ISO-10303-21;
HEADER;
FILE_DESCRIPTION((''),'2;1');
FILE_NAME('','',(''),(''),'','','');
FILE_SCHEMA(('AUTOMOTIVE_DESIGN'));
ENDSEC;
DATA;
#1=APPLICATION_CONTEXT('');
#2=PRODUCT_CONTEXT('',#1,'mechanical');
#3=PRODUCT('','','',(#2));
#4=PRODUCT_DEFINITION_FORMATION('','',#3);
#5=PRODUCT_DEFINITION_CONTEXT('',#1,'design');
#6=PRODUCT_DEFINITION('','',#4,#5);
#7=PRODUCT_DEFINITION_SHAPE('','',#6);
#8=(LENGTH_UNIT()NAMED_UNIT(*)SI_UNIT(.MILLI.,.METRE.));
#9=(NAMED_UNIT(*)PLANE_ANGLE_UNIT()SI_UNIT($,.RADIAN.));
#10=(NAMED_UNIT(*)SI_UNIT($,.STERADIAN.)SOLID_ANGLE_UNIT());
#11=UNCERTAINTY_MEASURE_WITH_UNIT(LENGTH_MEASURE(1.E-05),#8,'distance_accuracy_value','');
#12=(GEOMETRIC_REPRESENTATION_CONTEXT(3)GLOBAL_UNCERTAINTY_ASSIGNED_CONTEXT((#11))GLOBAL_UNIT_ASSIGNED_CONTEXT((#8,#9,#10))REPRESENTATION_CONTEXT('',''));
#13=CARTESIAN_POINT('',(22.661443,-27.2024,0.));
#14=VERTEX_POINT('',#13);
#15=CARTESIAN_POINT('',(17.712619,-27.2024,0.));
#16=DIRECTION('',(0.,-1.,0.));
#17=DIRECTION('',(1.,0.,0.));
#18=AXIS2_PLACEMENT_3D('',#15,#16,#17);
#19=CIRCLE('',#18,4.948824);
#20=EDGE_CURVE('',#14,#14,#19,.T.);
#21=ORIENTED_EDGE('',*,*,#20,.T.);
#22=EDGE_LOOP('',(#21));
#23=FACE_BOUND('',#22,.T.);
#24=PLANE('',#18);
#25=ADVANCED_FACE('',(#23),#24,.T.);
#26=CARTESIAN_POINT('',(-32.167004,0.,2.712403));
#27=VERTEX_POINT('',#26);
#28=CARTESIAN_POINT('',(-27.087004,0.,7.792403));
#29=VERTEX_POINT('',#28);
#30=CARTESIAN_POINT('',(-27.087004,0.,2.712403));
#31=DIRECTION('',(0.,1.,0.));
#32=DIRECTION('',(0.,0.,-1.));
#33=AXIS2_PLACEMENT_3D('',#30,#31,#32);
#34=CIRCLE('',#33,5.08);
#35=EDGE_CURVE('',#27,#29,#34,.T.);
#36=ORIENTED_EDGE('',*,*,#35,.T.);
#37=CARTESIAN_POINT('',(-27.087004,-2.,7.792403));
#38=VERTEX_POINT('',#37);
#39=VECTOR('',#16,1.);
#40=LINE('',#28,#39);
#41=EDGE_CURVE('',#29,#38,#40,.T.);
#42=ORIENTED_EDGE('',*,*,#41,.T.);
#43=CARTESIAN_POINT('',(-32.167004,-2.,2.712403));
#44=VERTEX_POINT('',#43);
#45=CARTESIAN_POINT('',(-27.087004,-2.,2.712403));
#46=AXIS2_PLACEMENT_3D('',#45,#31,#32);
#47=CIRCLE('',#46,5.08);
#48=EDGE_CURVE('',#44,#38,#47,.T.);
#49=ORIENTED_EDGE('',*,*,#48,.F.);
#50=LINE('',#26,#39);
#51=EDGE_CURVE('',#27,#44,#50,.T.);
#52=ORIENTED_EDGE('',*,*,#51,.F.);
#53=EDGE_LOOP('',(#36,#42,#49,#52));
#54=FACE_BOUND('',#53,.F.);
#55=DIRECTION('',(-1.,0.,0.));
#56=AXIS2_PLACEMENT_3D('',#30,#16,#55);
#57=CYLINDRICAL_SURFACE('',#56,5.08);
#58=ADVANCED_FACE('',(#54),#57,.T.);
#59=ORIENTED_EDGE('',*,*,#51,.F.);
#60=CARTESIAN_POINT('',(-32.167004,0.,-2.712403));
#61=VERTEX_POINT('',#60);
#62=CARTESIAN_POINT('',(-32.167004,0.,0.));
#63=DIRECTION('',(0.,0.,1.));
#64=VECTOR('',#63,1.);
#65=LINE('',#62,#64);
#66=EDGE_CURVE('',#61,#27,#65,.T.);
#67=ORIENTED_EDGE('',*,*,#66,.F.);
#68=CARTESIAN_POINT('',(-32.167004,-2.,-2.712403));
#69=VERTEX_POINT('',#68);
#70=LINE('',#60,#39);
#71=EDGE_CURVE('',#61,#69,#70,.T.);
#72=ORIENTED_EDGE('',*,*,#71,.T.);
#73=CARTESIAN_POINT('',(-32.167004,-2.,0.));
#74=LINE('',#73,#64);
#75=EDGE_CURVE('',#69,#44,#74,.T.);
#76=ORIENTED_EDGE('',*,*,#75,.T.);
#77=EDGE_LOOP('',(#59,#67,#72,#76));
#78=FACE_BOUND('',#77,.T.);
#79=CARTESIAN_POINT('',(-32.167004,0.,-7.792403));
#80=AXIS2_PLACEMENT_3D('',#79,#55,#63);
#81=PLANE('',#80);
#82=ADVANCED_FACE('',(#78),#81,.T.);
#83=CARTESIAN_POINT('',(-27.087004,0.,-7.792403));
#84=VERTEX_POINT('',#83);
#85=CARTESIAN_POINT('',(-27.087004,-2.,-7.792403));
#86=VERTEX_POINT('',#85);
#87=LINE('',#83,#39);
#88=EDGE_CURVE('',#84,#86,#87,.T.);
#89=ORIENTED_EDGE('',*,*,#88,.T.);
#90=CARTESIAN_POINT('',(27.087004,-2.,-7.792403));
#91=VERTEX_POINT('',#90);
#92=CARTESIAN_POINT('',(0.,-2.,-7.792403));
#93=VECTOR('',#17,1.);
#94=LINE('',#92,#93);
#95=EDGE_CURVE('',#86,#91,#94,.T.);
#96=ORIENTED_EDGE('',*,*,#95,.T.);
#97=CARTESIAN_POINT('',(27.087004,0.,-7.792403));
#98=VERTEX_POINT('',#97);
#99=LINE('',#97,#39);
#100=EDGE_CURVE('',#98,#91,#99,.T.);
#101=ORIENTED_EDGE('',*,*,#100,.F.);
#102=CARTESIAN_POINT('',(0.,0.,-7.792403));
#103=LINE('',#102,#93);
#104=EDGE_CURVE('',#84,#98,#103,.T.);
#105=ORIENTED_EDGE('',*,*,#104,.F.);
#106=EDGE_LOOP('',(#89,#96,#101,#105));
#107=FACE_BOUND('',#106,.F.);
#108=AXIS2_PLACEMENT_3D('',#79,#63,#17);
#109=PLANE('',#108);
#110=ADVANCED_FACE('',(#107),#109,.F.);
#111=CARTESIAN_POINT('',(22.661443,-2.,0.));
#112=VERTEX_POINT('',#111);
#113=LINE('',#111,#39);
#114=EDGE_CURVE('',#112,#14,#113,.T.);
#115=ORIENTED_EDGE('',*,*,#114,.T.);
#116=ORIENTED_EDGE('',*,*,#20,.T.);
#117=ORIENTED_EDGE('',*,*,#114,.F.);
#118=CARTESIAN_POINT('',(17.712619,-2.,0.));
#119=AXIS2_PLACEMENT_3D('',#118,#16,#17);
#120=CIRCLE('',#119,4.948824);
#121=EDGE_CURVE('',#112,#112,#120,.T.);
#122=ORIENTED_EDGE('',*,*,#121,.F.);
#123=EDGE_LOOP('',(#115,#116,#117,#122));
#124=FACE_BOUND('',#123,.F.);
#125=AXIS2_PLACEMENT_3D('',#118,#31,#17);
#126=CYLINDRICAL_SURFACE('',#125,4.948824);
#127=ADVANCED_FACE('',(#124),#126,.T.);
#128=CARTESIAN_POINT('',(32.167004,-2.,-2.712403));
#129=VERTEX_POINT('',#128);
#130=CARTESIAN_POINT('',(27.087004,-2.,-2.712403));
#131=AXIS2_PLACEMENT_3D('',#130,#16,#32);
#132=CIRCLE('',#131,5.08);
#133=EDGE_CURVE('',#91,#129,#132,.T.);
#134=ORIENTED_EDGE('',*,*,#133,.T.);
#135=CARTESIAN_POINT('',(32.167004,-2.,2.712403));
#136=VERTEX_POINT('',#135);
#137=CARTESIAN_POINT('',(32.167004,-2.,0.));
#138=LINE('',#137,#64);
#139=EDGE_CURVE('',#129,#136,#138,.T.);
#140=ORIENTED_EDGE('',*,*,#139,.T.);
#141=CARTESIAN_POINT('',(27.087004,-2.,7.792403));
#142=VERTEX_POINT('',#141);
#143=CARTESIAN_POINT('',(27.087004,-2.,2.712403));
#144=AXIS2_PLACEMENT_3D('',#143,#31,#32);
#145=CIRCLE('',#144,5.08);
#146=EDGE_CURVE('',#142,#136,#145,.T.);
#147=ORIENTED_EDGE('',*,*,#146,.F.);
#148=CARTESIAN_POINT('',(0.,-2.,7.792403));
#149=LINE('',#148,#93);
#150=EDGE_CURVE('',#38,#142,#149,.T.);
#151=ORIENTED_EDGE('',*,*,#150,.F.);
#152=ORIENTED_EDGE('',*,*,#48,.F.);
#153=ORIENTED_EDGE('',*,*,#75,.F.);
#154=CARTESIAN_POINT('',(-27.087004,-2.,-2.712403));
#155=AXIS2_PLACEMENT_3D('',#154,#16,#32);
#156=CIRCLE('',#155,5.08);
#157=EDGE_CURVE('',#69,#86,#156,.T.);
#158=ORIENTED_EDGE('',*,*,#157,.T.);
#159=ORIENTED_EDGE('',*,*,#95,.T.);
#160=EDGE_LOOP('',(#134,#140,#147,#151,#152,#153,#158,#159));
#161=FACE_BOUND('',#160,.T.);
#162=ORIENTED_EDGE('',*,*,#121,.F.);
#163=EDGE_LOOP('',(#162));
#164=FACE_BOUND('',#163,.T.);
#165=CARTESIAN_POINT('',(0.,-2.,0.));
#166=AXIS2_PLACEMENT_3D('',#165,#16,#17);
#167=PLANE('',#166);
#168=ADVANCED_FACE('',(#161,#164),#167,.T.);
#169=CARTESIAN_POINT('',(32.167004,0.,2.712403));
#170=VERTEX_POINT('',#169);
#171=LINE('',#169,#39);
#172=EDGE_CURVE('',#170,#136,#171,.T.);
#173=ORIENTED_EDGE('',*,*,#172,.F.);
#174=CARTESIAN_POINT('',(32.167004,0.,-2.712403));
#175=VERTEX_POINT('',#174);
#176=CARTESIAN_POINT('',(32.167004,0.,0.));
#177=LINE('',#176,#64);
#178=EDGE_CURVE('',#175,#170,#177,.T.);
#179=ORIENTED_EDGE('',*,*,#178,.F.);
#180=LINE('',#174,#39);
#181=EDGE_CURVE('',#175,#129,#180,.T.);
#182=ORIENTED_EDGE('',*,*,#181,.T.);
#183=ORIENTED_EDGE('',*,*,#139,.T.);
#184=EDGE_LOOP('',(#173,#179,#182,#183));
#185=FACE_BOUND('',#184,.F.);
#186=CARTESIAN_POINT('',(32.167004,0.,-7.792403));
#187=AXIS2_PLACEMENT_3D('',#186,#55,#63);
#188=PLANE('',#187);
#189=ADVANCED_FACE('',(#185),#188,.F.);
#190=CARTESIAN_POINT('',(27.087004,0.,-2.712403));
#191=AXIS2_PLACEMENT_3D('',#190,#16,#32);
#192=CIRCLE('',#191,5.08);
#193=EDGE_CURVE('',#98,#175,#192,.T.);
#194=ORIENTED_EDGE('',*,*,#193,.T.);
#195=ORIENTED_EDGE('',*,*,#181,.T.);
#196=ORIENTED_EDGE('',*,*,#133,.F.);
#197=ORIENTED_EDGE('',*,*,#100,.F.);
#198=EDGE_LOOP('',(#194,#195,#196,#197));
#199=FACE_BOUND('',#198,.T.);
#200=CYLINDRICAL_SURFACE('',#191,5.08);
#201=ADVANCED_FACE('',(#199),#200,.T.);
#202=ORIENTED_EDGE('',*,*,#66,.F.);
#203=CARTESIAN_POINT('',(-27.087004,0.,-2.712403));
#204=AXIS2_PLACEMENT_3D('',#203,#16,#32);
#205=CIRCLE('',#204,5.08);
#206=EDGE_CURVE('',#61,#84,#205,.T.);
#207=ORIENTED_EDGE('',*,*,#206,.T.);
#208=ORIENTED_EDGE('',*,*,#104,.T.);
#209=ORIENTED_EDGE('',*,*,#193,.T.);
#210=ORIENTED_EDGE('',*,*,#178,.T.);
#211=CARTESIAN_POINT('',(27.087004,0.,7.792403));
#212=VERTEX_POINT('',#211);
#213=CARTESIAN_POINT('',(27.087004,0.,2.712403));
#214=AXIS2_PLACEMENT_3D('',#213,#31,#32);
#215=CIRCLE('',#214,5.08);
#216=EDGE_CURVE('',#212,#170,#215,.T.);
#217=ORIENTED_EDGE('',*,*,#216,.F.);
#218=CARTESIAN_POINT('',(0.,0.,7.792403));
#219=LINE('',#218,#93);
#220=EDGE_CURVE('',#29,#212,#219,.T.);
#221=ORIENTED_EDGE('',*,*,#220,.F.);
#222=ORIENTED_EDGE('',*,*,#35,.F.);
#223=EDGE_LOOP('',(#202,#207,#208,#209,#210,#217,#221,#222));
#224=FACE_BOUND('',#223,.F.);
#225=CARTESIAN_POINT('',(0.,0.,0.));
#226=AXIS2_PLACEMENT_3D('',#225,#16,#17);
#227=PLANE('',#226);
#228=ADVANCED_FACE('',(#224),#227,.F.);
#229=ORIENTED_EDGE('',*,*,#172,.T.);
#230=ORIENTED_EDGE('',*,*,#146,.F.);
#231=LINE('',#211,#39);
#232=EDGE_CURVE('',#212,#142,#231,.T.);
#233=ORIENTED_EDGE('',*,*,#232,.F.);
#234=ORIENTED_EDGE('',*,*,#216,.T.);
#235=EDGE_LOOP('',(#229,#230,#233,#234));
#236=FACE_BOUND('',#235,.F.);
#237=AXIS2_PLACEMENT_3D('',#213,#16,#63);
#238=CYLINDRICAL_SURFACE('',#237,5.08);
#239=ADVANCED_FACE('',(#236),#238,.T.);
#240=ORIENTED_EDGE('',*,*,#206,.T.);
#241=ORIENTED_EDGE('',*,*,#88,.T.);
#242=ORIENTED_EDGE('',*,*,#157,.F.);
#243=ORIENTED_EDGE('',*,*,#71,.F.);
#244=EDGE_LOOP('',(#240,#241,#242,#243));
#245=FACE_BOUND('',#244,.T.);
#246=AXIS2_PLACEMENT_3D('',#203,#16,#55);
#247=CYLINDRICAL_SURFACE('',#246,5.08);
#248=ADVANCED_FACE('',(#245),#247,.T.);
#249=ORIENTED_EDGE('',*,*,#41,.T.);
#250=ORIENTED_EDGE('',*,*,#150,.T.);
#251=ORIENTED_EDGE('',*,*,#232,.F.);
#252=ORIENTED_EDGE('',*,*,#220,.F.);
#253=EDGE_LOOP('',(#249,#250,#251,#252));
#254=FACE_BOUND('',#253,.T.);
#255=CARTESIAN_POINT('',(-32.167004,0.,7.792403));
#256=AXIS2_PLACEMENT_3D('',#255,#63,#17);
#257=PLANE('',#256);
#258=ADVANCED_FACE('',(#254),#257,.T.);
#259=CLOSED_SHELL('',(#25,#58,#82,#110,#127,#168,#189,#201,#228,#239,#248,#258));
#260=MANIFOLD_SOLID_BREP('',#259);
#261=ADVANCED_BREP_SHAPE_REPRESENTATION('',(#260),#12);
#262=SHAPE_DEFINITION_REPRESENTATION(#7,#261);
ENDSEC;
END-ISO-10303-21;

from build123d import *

# Parameters (mm, degrees)
F0_W     = 64.334008
F0_H     = 15.584806
F1_DEPTH = 2
F2_R     = 4.948824
F3_DEPTH = 25.2024
F4_R     = 5.08


with BuildPart() as f1:
    # F0 (on Front) → F1 (new body)
    with BuildSketch(Plane.XZ):
        Rectangle(F0_W, F0_H)
    extrude(amount=F1_DEPTH)

    # F2 (on face) → F3 (join)
    with BuildSketch(Plane.XZ.offset(2)):
        with Locations((17.712619, 0)):
            Circle(F2_R)
    extrude(amount=F3_DEPTH)

    # F4
    f4_edges = [f1.edges().sort_by_distance(p)[0] for p in [
        (-32.167004, -1, -7.792403),
        (-32.167004, -1, 7.792403),
        (32.167004, -1, -7.792403),
        (32.167004, -1, 7.792403),
    ]]
    fillet(f4_edges, radius=F4_R)


solid = f1.part
